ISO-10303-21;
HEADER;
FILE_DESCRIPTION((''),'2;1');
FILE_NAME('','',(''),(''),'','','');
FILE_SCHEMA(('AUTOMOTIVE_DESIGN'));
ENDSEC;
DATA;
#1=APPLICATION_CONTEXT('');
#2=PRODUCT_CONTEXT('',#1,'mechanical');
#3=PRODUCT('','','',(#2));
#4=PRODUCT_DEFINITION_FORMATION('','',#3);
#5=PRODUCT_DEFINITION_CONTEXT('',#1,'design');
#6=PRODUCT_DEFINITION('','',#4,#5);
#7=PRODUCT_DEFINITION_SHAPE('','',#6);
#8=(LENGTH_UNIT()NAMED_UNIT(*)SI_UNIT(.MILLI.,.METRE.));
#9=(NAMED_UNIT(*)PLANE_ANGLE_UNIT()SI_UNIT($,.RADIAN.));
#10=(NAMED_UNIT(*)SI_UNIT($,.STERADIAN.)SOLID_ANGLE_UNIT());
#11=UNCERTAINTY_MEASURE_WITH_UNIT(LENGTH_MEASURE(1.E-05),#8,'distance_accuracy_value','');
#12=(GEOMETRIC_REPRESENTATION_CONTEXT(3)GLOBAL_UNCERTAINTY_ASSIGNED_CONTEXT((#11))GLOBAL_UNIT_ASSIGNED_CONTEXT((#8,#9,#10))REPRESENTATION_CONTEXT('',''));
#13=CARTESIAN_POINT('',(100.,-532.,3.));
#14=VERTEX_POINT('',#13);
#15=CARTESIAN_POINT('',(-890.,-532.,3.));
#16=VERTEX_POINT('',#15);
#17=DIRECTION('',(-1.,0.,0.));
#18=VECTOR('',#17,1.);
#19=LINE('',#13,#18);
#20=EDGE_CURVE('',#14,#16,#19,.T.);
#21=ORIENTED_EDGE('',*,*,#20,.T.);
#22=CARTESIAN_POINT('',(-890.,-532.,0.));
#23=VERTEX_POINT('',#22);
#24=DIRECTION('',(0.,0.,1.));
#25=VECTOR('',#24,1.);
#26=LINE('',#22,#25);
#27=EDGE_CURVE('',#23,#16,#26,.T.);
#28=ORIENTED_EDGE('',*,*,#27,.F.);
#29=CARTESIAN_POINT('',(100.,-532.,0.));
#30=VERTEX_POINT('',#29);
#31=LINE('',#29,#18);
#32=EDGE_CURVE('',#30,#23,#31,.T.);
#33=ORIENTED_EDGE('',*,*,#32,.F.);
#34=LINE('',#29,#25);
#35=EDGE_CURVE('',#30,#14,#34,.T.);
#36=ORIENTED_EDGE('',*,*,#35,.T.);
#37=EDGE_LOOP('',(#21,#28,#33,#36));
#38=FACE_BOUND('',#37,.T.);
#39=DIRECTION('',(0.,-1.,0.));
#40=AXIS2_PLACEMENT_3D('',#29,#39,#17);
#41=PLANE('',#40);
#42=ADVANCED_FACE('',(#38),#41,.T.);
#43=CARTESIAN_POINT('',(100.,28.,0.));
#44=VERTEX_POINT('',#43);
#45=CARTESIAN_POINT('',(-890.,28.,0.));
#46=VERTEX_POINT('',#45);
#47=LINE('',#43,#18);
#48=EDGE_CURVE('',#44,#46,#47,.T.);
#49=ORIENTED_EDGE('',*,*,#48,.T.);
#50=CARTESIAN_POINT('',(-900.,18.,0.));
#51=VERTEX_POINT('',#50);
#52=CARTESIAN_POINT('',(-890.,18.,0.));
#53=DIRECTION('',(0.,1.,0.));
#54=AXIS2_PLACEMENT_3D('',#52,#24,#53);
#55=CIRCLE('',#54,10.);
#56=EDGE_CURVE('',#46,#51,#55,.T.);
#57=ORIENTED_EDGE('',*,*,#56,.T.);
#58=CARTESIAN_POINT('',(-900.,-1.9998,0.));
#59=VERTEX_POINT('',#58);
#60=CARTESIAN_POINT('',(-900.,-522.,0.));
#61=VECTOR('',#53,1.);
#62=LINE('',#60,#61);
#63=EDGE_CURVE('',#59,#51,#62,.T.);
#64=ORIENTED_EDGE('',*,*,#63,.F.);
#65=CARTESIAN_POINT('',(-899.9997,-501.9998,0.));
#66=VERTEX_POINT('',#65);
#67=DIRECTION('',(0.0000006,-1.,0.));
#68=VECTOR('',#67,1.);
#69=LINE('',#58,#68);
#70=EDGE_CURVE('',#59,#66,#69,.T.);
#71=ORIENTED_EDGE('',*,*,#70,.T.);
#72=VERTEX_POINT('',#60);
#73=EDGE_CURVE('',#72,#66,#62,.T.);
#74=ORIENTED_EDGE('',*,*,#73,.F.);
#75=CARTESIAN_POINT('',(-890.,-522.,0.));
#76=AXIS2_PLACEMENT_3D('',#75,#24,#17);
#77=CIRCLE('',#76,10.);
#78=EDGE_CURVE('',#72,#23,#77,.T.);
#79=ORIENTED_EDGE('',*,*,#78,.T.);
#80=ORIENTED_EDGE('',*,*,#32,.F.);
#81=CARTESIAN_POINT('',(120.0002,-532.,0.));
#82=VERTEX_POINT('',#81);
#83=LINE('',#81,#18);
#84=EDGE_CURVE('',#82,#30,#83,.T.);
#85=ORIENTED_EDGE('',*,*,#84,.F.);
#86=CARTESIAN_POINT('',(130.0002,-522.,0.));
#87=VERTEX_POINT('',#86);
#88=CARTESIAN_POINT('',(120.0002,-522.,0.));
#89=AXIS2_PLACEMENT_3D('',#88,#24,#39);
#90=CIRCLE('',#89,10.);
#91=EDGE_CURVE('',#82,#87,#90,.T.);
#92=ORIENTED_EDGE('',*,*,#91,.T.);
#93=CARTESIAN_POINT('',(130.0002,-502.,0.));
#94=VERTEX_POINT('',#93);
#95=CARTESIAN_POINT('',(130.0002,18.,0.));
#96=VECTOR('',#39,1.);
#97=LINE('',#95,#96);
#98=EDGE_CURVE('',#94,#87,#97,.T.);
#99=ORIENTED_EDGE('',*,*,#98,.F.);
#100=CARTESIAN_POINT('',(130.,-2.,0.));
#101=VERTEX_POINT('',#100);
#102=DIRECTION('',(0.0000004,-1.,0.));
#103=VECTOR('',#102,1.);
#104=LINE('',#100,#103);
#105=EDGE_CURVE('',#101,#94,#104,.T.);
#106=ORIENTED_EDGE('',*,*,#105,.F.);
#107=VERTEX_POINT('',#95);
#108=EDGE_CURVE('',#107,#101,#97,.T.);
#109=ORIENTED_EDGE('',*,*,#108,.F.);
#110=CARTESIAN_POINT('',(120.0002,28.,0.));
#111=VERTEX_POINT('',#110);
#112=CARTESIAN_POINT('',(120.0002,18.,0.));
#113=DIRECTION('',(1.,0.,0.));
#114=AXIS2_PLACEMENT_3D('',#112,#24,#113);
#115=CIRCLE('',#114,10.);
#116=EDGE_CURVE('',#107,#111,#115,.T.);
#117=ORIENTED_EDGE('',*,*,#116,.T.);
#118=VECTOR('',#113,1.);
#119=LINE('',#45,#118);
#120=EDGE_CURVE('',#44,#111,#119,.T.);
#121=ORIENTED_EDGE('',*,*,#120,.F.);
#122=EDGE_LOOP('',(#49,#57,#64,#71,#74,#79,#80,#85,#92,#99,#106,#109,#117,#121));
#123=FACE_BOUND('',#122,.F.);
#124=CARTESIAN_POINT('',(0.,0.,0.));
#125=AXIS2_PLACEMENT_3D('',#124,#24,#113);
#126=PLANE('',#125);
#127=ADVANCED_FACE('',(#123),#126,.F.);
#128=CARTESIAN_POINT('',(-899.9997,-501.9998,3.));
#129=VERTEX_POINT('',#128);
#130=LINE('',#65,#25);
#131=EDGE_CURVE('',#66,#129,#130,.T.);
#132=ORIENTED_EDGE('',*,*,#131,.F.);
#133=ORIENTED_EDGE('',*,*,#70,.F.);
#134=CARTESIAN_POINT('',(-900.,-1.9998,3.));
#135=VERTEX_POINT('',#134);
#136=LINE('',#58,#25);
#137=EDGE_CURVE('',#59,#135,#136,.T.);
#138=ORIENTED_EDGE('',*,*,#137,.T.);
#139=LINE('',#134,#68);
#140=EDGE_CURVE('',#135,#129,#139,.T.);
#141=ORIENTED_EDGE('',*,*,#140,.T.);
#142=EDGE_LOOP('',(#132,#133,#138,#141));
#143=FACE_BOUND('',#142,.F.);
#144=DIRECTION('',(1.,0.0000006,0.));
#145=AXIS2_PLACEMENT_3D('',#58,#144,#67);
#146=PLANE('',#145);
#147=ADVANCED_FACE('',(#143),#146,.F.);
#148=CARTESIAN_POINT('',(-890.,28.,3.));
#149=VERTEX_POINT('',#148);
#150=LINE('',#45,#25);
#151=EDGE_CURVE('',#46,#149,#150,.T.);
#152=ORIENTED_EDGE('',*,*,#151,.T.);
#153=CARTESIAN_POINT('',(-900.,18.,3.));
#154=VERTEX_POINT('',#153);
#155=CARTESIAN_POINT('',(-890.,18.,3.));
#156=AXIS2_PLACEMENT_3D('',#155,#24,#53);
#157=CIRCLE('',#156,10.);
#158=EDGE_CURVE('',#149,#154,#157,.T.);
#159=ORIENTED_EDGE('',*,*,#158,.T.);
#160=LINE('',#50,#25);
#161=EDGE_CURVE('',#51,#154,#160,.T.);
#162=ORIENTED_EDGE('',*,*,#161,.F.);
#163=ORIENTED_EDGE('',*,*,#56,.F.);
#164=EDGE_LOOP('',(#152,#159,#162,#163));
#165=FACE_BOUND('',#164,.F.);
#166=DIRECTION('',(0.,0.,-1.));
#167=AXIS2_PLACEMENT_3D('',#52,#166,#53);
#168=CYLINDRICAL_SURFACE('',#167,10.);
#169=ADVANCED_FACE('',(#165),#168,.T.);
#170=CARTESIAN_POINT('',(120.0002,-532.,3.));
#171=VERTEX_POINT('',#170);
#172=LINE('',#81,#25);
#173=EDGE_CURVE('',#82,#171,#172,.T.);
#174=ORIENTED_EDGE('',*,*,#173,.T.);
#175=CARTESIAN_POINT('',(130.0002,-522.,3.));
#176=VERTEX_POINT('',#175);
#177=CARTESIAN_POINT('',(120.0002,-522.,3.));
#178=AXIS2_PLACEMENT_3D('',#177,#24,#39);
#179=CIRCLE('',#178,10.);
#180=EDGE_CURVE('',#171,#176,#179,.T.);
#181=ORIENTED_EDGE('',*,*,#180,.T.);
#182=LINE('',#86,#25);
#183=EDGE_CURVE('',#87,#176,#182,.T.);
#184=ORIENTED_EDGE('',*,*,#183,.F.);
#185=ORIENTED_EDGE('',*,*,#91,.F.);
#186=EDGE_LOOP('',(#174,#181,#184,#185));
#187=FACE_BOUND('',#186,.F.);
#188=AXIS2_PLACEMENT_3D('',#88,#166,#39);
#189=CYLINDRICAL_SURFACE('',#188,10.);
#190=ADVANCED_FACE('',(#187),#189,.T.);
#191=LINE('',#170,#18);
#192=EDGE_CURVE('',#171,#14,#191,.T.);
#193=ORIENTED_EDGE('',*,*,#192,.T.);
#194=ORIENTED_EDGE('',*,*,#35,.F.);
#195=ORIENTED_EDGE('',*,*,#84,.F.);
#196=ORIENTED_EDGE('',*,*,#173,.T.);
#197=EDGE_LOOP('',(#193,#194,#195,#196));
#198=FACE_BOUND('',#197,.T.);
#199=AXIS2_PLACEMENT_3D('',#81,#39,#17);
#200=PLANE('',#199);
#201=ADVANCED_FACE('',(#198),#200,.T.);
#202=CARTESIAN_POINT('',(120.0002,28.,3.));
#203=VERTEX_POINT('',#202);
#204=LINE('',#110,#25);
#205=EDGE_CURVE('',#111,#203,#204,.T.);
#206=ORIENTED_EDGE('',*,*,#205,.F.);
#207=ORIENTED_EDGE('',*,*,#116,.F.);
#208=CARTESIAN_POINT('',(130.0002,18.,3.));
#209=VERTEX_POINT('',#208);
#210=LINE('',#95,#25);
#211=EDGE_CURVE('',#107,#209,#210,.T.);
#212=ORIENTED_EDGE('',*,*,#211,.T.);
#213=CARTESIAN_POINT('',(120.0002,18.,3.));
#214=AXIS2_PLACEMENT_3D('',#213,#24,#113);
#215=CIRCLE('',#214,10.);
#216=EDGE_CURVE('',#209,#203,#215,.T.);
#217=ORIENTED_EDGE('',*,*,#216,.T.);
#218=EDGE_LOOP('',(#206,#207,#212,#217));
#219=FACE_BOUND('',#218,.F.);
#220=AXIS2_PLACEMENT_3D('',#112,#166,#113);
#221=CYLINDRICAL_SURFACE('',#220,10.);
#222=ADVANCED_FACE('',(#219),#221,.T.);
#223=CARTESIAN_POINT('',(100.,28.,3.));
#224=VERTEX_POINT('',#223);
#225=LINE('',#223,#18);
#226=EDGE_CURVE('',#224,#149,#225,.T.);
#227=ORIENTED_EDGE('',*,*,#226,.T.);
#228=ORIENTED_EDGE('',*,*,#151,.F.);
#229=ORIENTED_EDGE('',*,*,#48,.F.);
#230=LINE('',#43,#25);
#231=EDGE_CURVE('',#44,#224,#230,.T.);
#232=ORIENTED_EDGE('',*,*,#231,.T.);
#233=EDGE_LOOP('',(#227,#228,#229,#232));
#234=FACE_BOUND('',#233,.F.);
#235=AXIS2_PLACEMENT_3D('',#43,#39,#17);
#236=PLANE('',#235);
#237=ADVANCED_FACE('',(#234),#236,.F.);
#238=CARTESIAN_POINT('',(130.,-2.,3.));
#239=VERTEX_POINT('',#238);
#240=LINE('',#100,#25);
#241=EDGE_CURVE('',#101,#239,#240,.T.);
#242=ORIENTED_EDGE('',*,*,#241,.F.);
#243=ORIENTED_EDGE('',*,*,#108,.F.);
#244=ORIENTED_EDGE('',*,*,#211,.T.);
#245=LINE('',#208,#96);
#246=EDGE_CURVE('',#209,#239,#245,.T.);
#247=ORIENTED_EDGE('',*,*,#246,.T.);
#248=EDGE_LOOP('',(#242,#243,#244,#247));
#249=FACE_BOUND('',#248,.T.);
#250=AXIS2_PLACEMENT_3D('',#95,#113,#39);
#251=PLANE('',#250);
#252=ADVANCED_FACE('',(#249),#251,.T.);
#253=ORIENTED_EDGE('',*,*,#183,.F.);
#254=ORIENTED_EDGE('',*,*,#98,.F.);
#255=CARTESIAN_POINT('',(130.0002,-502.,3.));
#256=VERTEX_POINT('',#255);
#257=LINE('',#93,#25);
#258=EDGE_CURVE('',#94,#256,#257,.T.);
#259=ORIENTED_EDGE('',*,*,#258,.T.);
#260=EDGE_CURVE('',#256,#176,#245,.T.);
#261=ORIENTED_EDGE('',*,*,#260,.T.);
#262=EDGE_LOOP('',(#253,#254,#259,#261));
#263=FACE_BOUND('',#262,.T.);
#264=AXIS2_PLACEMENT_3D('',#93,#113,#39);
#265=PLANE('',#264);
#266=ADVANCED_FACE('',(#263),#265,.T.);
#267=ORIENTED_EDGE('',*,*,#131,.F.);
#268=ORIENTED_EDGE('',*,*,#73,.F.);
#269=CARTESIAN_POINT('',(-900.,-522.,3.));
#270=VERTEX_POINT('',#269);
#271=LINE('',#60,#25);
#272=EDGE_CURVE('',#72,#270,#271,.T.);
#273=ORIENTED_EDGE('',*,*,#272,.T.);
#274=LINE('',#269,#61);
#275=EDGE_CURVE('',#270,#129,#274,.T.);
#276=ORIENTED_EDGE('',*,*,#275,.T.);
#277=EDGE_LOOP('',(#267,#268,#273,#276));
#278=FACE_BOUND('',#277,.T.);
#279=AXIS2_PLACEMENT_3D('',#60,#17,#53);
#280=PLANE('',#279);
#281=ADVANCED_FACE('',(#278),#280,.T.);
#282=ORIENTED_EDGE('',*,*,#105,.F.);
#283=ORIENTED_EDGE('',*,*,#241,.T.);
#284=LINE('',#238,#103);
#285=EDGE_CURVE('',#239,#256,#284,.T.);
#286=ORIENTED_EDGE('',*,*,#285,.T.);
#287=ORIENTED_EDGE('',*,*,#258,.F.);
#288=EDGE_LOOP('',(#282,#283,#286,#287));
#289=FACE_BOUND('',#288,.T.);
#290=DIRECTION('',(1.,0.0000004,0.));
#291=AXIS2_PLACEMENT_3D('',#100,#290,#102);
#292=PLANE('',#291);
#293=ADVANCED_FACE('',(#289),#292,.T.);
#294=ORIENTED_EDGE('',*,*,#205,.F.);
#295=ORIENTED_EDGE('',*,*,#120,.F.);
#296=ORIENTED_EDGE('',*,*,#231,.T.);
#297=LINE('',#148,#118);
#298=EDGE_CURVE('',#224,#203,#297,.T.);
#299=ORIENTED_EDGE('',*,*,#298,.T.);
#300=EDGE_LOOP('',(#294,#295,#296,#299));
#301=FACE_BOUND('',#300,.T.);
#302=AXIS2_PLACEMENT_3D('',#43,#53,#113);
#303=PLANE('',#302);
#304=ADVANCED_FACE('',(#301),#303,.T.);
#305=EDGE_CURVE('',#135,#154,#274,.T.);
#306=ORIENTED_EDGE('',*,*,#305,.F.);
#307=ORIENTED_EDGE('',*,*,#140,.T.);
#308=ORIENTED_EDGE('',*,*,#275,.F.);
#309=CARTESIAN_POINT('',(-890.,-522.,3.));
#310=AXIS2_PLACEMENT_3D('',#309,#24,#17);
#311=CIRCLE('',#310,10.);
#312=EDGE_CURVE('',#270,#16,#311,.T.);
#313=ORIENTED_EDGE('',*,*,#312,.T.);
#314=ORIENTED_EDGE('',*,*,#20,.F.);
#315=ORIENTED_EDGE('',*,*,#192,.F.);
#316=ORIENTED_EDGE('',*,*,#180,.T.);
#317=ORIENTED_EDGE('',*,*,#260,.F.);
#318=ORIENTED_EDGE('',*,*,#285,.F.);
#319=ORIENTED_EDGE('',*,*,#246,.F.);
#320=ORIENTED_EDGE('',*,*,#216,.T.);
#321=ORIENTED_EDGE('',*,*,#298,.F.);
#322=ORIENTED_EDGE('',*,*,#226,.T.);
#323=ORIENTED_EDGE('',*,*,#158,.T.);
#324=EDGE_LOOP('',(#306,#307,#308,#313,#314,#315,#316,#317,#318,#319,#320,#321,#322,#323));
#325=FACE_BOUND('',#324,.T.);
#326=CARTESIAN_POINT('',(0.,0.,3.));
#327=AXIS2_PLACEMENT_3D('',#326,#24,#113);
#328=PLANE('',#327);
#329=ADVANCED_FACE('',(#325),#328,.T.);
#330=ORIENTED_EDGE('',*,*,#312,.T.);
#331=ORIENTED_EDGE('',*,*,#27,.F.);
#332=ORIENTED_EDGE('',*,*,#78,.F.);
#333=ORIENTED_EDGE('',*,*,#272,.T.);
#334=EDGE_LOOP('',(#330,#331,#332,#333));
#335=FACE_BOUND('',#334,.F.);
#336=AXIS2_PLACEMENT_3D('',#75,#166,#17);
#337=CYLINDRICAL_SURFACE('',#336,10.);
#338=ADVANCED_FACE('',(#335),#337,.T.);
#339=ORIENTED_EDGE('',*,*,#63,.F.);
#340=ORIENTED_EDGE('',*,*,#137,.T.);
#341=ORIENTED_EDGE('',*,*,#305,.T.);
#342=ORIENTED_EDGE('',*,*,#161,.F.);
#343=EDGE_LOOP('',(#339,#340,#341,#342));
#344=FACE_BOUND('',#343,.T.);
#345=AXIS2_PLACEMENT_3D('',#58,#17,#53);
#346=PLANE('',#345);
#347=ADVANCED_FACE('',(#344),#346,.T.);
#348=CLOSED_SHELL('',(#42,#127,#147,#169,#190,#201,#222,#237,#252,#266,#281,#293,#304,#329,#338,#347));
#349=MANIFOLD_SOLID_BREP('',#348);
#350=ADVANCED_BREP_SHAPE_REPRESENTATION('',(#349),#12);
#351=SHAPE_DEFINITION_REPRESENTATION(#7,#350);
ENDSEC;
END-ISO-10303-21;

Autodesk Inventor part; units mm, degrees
ref_plane "YZ Plane" through (0, 0, 0) normal (1, 0, 0) x (0, 1, 0)
ref_plane "XZ Plane" through (0, 0, 0) normal (0, 1, 0) x (-1, 0, 0)
ref_plane "XY Plane" through (0, 0, 0) normal (0, 0, 1) x (1, 0, 0)
sketch "Sketch1" plane through (0, 0, 0) normal (0, 0, 1) x (1, 0, 0)
  line L0 (-900, -1.9998) -> (-899.9997, -501.9998) projected
  line L1 (100, 28) -> (-900, 28) projected
  line L2 (100, -532) -> (-900, -532) projected
  line L3 (130, -2) -> (130.0002, -502) projected
  line L4 (-890, 28) -> (120.0002, 28)
  line L5 (130.0002, 18) -> (130.0002, -522)
  line L6 (120.0002, -532) -> (-890, -532)
  line L7 (-900, -522) -> (-900, 18)
  arc A0 (-890, 28) -> (-900, 18) centre (-890, 18) ccw
  arc A1 (-900, -522) -> (-890, -532) centre (-890, -522) ccw
  arc A2 (120.0002, -532) -> (130.0002, -522) centre (120.0002, -522) ccw
  arc A3 (130.0002, 18) -> (120.0002, 28) centre (120.0002, 18) ccw
  point P0 (0, 0)
  point P1 (130.0002, -532)
  dimension "d0" = 10
extrude "Extrusion1" add sketch "Sketch1" along normal blind 3
properties part number "SIde Actylic"
